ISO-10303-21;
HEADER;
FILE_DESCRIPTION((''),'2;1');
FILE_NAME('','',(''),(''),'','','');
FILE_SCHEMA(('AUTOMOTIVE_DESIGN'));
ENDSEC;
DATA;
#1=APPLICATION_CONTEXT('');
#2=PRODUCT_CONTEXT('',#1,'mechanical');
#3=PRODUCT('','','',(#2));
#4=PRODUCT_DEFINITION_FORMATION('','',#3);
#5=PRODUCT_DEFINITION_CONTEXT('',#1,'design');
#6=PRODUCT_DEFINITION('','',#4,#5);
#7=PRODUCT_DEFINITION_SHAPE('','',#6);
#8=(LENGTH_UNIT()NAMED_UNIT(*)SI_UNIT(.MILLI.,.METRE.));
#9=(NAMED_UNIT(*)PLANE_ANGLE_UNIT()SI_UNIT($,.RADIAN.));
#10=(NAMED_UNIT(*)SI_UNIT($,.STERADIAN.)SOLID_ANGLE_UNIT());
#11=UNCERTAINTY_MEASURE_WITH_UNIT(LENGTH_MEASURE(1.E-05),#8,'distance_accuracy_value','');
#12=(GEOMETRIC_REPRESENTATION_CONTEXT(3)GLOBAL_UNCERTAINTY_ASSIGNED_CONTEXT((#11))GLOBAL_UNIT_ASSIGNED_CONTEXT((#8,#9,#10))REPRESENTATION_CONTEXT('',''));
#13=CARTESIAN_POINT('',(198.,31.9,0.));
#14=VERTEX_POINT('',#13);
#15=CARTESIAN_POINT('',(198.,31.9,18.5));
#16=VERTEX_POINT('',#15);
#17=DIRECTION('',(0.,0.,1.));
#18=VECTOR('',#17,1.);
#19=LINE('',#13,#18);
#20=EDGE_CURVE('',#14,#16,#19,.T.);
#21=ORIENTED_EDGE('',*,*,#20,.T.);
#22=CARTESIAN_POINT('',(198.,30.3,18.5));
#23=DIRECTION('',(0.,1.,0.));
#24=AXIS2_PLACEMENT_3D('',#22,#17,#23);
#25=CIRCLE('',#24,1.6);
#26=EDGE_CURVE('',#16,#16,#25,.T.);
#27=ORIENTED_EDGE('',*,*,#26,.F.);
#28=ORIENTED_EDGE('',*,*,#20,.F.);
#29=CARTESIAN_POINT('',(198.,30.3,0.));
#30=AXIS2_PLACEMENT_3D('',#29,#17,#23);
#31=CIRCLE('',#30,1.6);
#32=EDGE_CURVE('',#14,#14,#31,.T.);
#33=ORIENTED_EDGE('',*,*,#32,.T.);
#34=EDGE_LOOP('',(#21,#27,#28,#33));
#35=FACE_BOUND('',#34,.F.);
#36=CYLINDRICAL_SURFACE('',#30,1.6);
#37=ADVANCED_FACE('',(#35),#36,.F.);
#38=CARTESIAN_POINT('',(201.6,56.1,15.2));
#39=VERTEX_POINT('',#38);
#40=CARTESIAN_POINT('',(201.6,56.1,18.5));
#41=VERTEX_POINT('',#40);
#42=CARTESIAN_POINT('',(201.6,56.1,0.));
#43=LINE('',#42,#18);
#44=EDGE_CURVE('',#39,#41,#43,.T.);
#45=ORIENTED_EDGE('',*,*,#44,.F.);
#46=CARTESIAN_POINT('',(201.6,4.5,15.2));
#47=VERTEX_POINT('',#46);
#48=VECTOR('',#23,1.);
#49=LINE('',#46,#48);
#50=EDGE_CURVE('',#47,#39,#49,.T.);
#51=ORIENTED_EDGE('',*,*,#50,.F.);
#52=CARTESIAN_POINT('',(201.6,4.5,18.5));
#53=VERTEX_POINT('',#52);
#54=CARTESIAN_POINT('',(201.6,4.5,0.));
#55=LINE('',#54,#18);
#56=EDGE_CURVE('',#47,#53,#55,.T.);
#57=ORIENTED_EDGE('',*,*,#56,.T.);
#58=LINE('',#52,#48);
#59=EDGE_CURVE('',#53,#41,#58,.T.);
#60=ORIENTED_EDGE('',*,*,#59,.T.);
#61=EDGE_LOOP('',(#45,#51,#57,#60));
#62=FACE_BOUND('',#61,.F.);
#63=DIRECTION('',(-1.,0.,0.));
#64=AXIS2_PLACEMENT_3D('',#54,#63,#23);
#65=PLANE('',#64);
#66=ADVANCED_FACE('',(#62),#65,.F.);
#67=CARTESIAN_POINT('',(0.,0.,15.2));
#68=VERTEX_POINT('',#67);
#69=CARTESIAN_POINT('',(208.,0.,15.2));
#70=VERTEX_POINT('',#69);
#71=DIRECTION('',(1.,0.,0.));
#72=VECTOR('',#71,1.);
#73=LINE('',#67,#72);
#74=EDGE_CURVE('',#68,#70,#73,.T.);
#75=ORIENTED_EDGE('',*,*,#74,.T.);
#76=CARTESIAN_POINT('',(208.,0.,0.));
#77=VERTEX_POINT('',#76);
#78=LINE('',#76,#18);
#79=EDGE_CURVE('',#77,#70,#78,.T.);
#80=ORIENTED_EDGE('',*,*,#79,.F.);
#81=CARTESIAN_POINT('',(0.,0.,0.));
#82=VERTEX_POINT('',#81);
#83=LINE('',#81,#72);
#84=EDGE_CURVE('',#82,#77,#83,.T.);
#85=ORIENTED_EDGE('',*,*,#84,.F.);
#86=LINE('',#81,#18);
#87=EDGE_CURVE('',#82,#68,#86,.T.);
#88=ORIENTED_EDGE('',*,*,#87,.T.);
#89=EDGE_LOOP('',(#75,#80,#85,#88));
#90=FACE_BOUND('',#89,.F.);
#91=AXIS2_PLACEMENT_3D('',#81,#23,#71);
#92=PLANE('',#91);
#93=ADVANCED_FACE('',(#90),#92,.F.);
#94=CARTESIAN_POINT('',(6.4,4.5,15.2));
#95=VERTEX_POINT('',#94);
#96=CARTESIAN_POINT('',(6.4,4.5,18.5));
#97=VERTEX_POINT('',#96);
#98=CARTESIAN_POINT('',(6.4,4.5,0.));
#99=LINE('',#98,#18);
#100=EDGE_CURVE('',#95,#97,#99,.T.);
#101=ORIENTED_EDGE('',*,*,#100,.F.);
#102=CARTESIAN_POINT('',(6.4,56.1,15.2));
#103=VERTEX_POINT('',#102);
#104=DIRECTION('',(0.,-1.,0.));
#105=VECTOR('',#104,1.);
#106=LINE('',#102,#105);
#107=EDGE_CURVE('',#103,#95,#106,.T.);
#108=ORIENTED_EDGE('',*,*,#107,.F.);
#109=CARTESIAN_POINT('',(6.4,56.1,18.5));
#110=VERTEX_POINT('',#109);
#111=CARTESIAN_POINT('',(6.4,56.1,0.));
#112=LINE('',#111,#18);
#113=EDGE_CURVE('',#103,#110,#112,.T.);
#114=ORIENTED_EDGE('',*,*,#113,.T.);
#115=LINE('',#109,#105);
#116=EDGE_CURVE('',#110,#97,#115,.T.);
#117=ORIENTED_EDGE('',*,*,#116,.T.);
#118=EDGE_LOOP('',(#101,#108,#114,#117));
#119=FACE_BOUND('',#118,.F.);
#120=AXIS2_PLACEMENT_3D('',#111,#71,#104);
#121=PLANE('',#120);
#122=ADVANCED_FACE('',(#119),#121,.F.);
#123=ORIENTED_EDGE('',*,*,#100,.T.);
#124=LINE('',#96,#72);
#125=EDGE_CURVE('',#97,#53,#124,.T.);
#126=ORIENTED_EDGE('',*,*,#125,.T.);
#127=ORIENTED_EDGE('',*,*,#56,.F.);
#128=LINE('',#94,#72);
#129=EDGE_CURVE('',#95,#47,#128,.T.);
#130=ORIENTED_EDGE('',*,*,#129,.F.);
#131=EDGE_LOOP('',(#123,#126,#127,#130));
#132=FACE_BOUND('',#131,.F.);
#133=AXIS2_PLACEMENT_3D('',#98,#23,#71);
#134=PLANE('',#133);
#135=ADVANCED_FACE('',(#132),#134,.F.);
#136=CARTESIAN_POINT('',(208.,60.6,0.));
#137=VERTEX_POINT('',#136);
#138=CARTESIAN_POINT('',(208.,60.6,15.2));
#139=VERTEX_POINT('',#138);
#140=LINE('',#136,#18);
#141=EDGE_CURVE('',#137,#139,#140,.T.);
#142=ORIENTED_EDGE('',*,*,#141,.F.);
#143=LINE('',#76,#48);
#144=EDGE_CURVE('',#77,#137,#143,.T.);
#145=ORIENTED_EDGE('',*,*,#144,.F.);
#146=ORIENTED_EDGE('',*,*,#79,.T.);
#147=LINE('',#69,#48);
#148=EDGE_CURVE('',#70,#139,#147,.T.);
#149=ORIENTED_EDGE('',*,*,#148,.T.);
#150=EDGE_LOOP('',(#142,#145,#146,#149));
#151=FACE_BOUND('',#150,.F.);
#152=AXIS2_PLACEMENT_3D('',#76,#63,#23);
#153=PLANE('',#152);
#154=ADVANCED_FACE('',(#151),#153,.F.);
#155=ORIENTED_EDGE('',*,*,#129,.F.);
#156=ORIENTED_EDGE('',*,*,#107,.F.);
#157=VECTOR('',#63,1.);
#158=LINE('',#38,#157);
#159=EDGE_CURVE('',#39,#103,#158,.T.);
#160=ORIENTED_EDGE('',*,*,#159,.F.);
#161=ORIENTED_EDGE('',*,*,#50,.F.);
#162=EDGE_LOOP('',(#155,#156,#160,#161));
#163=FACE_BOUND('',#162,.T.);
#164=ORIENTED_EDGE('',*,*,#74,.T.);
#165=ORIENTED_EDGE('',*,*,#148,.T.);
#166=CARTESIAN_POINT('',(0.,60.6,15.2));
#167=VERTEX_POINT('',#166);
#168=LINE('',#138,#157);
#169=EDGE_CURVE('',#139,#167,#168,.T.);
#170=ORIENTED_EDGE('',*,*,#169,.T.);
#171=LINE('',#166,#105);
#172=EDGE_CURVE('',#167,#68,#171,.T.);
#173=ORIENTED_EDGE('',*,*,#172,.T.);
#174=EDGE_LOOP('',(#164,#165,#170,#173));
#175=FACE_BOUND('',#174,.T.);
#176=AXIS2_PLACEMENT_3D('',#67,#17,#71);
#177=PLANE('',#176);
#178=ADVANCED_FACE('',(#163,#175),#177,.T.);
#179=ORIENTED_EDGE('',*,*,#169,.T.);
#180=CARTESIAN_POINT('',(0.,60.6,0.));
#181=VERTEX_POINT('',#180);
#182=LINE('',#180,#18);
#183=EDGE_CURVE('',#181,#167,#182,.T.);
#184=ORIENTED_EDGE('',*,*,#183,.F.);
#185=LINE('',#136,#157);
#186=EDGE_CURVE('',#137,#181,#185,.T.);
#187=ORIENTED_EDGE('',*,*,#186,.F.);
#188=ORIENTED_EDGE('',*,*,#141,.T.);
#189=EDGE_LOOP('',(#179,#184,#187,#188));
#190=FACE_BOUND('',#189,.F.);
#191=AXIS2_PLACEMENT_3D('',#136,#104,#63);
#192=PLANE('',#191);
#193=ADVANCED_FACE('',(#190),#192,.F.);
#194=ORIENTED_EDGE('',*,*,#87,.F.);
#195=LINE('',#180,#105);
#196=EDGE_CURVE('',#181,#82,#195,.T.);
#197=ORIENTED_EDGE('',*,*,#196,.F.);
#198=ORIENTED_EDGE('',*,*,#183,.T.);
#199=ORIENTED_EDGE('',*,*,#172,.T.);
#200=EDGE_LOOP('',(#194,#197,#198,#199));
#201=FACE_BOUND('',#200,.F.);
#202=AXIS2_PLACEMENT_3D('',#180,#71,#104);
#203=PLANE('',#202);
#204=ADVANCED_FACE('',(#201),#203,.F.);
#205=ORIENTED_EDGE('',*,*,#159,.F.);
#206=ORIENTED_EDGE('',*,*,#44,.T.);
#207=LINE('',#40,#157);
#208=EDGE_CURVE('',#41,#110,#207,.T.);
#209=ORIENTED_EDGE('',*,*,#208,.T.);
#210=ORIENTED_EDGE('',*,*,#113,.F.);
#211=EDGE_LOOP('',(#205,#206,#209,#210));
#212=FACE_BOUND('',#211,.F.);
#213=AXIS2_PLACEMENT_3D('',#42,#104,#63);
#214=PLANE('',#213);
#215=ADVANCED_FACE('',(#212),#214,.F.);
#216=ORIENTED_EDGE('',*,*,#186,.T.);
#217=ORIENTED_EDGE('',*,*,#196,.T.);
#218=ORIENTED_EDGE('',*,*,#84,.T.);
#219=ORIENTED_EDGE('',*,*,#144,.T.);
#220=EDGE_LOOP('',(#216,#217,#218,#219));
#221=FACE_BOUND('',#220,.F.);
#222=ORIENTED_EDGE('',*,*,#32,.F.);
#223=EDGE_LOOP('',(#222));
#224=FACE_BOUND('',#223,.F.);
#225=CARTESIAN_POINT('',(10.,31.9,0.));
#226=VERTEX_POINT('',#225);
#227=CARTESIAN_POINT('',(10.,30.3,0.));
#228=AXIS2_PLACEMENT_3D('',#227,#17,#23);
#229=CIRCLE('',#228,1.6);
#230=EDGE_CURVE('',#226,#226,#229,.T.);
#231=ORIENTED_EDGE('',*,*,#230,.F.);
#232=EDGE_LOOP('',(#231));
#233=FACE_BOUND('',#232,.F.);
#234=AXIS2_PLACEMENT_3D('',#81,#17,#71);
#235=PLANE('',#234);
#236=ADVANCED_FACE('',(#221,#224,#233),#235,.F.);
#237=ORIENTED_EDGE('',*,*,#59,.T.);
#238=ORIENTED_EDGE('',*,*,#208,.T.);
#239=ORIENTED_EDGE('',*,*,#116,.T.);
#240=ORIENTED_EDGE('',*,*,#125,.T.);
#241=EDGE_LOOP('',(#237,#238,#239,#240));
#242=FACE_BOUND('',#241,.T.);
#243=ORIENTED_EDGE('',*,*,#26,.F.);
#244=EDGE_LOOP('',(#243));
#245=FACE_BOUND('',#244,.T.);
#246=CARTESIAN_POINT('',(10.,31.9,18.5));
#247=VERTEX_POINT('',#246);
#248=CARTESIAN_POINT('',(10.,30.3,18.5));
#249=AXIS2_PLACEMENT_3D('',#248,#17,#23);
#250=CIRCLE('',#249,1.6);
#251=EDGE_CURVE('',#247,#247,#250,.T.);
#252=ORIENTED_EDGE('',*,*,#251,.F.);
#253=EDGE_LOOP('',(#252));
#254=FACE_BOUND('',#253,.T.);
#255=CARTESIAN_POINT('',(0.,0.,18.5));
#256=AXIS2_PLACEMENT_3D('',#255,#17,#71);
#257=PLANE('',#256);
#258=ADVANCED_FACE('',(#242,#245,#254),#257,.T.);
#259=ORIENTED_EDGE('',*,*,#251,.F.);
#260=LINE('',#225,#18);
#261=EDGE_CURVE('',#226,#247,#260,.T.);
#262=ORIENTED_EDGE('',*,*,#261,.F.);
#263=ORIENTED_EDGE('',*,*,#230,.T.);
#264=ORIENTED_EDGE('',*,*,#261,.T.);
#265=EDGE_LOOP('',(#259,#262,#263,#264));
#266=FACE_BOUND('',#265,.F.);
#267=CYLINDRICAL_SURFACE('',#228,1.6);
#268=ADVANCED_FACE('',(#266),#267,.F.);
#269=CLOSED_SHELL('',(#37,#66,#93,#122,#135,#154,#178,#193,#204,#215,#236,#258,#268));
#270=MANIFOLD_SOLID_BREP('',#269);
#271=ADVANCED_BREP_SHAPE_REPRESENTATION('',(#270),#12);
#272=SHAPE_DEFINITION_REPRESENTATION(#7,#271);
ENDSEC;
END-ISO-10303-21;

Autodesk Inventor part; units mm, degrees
ref_plane "YZ Plane" through (0, 0, 0) normal (1, 0, 0) x (0, 1, 0)
ref_plane "XZ Plane" through (0, 0, 0) normal (0, 1, 0) x (-1, 0, 0)
ref_plane "XY Plane" through (0, 0, 0) normal (0, 0, 1) x (1, 0, 0)
sketch "スケッチ1" plane through (0, 0, 0) normal (0, 0, 1) x (1, 0, 0)
  line L0 (0, 0) -> (208, 0)
  line L1 (208, 0) -> (208, 60.6)
  line L2 (208, 60.6) -> (0, 60.6)
  line L3 (0, 60.6) -> (0, 0)
  line L4 (6.4, 4.5) -> (201.6, 4.5)
  line L5 (201.6, 4.5) -> (201.6, 56.1)
  line L6 (201.6, 56.1) -> (6.4, 56.1)
  line L7 (6.4, 56.1) -> (6.4, 4.5)
  dimension "d0" = 208
  dimension "d1" = 60.6
  dimension "d2" = 195.2
  dimension "d3" = 51.6
extrude "押し出し1" add sketch "スケッチ1" along normal blind 15.2
extrude "押し出し2" add sketch "スケッチ1" along normal blind 18.5 contours L7 L6 L5 L4
sketch "スケッチ2" plane through (0, 0, 0) normal (0, 0, -1) x (-1, 0, 0)
  line L0 (0, 60.6) -> (0, 0) projected
  line L1 (-208, 0) -> (-208, 60.6) projected
  line L2 (0, 0) -> (-208, 0) projected
  point P0 (-198, 30.3)
  point P1 (-10, 30.3)
  dimension "d8" = 10
  dimension "d9" = 10
  dimension "d19" = 30.3
  dimension "d22" = 30.3
hole "穴1" at (198, 30.3, 0) at (10, 30.3, 0) direction (0, 0, 1) diameter 3.2 end through all
equation "\"d19\" = d22"
properties part number "TH22_soroban_sn" material "ABS プラスチック"
